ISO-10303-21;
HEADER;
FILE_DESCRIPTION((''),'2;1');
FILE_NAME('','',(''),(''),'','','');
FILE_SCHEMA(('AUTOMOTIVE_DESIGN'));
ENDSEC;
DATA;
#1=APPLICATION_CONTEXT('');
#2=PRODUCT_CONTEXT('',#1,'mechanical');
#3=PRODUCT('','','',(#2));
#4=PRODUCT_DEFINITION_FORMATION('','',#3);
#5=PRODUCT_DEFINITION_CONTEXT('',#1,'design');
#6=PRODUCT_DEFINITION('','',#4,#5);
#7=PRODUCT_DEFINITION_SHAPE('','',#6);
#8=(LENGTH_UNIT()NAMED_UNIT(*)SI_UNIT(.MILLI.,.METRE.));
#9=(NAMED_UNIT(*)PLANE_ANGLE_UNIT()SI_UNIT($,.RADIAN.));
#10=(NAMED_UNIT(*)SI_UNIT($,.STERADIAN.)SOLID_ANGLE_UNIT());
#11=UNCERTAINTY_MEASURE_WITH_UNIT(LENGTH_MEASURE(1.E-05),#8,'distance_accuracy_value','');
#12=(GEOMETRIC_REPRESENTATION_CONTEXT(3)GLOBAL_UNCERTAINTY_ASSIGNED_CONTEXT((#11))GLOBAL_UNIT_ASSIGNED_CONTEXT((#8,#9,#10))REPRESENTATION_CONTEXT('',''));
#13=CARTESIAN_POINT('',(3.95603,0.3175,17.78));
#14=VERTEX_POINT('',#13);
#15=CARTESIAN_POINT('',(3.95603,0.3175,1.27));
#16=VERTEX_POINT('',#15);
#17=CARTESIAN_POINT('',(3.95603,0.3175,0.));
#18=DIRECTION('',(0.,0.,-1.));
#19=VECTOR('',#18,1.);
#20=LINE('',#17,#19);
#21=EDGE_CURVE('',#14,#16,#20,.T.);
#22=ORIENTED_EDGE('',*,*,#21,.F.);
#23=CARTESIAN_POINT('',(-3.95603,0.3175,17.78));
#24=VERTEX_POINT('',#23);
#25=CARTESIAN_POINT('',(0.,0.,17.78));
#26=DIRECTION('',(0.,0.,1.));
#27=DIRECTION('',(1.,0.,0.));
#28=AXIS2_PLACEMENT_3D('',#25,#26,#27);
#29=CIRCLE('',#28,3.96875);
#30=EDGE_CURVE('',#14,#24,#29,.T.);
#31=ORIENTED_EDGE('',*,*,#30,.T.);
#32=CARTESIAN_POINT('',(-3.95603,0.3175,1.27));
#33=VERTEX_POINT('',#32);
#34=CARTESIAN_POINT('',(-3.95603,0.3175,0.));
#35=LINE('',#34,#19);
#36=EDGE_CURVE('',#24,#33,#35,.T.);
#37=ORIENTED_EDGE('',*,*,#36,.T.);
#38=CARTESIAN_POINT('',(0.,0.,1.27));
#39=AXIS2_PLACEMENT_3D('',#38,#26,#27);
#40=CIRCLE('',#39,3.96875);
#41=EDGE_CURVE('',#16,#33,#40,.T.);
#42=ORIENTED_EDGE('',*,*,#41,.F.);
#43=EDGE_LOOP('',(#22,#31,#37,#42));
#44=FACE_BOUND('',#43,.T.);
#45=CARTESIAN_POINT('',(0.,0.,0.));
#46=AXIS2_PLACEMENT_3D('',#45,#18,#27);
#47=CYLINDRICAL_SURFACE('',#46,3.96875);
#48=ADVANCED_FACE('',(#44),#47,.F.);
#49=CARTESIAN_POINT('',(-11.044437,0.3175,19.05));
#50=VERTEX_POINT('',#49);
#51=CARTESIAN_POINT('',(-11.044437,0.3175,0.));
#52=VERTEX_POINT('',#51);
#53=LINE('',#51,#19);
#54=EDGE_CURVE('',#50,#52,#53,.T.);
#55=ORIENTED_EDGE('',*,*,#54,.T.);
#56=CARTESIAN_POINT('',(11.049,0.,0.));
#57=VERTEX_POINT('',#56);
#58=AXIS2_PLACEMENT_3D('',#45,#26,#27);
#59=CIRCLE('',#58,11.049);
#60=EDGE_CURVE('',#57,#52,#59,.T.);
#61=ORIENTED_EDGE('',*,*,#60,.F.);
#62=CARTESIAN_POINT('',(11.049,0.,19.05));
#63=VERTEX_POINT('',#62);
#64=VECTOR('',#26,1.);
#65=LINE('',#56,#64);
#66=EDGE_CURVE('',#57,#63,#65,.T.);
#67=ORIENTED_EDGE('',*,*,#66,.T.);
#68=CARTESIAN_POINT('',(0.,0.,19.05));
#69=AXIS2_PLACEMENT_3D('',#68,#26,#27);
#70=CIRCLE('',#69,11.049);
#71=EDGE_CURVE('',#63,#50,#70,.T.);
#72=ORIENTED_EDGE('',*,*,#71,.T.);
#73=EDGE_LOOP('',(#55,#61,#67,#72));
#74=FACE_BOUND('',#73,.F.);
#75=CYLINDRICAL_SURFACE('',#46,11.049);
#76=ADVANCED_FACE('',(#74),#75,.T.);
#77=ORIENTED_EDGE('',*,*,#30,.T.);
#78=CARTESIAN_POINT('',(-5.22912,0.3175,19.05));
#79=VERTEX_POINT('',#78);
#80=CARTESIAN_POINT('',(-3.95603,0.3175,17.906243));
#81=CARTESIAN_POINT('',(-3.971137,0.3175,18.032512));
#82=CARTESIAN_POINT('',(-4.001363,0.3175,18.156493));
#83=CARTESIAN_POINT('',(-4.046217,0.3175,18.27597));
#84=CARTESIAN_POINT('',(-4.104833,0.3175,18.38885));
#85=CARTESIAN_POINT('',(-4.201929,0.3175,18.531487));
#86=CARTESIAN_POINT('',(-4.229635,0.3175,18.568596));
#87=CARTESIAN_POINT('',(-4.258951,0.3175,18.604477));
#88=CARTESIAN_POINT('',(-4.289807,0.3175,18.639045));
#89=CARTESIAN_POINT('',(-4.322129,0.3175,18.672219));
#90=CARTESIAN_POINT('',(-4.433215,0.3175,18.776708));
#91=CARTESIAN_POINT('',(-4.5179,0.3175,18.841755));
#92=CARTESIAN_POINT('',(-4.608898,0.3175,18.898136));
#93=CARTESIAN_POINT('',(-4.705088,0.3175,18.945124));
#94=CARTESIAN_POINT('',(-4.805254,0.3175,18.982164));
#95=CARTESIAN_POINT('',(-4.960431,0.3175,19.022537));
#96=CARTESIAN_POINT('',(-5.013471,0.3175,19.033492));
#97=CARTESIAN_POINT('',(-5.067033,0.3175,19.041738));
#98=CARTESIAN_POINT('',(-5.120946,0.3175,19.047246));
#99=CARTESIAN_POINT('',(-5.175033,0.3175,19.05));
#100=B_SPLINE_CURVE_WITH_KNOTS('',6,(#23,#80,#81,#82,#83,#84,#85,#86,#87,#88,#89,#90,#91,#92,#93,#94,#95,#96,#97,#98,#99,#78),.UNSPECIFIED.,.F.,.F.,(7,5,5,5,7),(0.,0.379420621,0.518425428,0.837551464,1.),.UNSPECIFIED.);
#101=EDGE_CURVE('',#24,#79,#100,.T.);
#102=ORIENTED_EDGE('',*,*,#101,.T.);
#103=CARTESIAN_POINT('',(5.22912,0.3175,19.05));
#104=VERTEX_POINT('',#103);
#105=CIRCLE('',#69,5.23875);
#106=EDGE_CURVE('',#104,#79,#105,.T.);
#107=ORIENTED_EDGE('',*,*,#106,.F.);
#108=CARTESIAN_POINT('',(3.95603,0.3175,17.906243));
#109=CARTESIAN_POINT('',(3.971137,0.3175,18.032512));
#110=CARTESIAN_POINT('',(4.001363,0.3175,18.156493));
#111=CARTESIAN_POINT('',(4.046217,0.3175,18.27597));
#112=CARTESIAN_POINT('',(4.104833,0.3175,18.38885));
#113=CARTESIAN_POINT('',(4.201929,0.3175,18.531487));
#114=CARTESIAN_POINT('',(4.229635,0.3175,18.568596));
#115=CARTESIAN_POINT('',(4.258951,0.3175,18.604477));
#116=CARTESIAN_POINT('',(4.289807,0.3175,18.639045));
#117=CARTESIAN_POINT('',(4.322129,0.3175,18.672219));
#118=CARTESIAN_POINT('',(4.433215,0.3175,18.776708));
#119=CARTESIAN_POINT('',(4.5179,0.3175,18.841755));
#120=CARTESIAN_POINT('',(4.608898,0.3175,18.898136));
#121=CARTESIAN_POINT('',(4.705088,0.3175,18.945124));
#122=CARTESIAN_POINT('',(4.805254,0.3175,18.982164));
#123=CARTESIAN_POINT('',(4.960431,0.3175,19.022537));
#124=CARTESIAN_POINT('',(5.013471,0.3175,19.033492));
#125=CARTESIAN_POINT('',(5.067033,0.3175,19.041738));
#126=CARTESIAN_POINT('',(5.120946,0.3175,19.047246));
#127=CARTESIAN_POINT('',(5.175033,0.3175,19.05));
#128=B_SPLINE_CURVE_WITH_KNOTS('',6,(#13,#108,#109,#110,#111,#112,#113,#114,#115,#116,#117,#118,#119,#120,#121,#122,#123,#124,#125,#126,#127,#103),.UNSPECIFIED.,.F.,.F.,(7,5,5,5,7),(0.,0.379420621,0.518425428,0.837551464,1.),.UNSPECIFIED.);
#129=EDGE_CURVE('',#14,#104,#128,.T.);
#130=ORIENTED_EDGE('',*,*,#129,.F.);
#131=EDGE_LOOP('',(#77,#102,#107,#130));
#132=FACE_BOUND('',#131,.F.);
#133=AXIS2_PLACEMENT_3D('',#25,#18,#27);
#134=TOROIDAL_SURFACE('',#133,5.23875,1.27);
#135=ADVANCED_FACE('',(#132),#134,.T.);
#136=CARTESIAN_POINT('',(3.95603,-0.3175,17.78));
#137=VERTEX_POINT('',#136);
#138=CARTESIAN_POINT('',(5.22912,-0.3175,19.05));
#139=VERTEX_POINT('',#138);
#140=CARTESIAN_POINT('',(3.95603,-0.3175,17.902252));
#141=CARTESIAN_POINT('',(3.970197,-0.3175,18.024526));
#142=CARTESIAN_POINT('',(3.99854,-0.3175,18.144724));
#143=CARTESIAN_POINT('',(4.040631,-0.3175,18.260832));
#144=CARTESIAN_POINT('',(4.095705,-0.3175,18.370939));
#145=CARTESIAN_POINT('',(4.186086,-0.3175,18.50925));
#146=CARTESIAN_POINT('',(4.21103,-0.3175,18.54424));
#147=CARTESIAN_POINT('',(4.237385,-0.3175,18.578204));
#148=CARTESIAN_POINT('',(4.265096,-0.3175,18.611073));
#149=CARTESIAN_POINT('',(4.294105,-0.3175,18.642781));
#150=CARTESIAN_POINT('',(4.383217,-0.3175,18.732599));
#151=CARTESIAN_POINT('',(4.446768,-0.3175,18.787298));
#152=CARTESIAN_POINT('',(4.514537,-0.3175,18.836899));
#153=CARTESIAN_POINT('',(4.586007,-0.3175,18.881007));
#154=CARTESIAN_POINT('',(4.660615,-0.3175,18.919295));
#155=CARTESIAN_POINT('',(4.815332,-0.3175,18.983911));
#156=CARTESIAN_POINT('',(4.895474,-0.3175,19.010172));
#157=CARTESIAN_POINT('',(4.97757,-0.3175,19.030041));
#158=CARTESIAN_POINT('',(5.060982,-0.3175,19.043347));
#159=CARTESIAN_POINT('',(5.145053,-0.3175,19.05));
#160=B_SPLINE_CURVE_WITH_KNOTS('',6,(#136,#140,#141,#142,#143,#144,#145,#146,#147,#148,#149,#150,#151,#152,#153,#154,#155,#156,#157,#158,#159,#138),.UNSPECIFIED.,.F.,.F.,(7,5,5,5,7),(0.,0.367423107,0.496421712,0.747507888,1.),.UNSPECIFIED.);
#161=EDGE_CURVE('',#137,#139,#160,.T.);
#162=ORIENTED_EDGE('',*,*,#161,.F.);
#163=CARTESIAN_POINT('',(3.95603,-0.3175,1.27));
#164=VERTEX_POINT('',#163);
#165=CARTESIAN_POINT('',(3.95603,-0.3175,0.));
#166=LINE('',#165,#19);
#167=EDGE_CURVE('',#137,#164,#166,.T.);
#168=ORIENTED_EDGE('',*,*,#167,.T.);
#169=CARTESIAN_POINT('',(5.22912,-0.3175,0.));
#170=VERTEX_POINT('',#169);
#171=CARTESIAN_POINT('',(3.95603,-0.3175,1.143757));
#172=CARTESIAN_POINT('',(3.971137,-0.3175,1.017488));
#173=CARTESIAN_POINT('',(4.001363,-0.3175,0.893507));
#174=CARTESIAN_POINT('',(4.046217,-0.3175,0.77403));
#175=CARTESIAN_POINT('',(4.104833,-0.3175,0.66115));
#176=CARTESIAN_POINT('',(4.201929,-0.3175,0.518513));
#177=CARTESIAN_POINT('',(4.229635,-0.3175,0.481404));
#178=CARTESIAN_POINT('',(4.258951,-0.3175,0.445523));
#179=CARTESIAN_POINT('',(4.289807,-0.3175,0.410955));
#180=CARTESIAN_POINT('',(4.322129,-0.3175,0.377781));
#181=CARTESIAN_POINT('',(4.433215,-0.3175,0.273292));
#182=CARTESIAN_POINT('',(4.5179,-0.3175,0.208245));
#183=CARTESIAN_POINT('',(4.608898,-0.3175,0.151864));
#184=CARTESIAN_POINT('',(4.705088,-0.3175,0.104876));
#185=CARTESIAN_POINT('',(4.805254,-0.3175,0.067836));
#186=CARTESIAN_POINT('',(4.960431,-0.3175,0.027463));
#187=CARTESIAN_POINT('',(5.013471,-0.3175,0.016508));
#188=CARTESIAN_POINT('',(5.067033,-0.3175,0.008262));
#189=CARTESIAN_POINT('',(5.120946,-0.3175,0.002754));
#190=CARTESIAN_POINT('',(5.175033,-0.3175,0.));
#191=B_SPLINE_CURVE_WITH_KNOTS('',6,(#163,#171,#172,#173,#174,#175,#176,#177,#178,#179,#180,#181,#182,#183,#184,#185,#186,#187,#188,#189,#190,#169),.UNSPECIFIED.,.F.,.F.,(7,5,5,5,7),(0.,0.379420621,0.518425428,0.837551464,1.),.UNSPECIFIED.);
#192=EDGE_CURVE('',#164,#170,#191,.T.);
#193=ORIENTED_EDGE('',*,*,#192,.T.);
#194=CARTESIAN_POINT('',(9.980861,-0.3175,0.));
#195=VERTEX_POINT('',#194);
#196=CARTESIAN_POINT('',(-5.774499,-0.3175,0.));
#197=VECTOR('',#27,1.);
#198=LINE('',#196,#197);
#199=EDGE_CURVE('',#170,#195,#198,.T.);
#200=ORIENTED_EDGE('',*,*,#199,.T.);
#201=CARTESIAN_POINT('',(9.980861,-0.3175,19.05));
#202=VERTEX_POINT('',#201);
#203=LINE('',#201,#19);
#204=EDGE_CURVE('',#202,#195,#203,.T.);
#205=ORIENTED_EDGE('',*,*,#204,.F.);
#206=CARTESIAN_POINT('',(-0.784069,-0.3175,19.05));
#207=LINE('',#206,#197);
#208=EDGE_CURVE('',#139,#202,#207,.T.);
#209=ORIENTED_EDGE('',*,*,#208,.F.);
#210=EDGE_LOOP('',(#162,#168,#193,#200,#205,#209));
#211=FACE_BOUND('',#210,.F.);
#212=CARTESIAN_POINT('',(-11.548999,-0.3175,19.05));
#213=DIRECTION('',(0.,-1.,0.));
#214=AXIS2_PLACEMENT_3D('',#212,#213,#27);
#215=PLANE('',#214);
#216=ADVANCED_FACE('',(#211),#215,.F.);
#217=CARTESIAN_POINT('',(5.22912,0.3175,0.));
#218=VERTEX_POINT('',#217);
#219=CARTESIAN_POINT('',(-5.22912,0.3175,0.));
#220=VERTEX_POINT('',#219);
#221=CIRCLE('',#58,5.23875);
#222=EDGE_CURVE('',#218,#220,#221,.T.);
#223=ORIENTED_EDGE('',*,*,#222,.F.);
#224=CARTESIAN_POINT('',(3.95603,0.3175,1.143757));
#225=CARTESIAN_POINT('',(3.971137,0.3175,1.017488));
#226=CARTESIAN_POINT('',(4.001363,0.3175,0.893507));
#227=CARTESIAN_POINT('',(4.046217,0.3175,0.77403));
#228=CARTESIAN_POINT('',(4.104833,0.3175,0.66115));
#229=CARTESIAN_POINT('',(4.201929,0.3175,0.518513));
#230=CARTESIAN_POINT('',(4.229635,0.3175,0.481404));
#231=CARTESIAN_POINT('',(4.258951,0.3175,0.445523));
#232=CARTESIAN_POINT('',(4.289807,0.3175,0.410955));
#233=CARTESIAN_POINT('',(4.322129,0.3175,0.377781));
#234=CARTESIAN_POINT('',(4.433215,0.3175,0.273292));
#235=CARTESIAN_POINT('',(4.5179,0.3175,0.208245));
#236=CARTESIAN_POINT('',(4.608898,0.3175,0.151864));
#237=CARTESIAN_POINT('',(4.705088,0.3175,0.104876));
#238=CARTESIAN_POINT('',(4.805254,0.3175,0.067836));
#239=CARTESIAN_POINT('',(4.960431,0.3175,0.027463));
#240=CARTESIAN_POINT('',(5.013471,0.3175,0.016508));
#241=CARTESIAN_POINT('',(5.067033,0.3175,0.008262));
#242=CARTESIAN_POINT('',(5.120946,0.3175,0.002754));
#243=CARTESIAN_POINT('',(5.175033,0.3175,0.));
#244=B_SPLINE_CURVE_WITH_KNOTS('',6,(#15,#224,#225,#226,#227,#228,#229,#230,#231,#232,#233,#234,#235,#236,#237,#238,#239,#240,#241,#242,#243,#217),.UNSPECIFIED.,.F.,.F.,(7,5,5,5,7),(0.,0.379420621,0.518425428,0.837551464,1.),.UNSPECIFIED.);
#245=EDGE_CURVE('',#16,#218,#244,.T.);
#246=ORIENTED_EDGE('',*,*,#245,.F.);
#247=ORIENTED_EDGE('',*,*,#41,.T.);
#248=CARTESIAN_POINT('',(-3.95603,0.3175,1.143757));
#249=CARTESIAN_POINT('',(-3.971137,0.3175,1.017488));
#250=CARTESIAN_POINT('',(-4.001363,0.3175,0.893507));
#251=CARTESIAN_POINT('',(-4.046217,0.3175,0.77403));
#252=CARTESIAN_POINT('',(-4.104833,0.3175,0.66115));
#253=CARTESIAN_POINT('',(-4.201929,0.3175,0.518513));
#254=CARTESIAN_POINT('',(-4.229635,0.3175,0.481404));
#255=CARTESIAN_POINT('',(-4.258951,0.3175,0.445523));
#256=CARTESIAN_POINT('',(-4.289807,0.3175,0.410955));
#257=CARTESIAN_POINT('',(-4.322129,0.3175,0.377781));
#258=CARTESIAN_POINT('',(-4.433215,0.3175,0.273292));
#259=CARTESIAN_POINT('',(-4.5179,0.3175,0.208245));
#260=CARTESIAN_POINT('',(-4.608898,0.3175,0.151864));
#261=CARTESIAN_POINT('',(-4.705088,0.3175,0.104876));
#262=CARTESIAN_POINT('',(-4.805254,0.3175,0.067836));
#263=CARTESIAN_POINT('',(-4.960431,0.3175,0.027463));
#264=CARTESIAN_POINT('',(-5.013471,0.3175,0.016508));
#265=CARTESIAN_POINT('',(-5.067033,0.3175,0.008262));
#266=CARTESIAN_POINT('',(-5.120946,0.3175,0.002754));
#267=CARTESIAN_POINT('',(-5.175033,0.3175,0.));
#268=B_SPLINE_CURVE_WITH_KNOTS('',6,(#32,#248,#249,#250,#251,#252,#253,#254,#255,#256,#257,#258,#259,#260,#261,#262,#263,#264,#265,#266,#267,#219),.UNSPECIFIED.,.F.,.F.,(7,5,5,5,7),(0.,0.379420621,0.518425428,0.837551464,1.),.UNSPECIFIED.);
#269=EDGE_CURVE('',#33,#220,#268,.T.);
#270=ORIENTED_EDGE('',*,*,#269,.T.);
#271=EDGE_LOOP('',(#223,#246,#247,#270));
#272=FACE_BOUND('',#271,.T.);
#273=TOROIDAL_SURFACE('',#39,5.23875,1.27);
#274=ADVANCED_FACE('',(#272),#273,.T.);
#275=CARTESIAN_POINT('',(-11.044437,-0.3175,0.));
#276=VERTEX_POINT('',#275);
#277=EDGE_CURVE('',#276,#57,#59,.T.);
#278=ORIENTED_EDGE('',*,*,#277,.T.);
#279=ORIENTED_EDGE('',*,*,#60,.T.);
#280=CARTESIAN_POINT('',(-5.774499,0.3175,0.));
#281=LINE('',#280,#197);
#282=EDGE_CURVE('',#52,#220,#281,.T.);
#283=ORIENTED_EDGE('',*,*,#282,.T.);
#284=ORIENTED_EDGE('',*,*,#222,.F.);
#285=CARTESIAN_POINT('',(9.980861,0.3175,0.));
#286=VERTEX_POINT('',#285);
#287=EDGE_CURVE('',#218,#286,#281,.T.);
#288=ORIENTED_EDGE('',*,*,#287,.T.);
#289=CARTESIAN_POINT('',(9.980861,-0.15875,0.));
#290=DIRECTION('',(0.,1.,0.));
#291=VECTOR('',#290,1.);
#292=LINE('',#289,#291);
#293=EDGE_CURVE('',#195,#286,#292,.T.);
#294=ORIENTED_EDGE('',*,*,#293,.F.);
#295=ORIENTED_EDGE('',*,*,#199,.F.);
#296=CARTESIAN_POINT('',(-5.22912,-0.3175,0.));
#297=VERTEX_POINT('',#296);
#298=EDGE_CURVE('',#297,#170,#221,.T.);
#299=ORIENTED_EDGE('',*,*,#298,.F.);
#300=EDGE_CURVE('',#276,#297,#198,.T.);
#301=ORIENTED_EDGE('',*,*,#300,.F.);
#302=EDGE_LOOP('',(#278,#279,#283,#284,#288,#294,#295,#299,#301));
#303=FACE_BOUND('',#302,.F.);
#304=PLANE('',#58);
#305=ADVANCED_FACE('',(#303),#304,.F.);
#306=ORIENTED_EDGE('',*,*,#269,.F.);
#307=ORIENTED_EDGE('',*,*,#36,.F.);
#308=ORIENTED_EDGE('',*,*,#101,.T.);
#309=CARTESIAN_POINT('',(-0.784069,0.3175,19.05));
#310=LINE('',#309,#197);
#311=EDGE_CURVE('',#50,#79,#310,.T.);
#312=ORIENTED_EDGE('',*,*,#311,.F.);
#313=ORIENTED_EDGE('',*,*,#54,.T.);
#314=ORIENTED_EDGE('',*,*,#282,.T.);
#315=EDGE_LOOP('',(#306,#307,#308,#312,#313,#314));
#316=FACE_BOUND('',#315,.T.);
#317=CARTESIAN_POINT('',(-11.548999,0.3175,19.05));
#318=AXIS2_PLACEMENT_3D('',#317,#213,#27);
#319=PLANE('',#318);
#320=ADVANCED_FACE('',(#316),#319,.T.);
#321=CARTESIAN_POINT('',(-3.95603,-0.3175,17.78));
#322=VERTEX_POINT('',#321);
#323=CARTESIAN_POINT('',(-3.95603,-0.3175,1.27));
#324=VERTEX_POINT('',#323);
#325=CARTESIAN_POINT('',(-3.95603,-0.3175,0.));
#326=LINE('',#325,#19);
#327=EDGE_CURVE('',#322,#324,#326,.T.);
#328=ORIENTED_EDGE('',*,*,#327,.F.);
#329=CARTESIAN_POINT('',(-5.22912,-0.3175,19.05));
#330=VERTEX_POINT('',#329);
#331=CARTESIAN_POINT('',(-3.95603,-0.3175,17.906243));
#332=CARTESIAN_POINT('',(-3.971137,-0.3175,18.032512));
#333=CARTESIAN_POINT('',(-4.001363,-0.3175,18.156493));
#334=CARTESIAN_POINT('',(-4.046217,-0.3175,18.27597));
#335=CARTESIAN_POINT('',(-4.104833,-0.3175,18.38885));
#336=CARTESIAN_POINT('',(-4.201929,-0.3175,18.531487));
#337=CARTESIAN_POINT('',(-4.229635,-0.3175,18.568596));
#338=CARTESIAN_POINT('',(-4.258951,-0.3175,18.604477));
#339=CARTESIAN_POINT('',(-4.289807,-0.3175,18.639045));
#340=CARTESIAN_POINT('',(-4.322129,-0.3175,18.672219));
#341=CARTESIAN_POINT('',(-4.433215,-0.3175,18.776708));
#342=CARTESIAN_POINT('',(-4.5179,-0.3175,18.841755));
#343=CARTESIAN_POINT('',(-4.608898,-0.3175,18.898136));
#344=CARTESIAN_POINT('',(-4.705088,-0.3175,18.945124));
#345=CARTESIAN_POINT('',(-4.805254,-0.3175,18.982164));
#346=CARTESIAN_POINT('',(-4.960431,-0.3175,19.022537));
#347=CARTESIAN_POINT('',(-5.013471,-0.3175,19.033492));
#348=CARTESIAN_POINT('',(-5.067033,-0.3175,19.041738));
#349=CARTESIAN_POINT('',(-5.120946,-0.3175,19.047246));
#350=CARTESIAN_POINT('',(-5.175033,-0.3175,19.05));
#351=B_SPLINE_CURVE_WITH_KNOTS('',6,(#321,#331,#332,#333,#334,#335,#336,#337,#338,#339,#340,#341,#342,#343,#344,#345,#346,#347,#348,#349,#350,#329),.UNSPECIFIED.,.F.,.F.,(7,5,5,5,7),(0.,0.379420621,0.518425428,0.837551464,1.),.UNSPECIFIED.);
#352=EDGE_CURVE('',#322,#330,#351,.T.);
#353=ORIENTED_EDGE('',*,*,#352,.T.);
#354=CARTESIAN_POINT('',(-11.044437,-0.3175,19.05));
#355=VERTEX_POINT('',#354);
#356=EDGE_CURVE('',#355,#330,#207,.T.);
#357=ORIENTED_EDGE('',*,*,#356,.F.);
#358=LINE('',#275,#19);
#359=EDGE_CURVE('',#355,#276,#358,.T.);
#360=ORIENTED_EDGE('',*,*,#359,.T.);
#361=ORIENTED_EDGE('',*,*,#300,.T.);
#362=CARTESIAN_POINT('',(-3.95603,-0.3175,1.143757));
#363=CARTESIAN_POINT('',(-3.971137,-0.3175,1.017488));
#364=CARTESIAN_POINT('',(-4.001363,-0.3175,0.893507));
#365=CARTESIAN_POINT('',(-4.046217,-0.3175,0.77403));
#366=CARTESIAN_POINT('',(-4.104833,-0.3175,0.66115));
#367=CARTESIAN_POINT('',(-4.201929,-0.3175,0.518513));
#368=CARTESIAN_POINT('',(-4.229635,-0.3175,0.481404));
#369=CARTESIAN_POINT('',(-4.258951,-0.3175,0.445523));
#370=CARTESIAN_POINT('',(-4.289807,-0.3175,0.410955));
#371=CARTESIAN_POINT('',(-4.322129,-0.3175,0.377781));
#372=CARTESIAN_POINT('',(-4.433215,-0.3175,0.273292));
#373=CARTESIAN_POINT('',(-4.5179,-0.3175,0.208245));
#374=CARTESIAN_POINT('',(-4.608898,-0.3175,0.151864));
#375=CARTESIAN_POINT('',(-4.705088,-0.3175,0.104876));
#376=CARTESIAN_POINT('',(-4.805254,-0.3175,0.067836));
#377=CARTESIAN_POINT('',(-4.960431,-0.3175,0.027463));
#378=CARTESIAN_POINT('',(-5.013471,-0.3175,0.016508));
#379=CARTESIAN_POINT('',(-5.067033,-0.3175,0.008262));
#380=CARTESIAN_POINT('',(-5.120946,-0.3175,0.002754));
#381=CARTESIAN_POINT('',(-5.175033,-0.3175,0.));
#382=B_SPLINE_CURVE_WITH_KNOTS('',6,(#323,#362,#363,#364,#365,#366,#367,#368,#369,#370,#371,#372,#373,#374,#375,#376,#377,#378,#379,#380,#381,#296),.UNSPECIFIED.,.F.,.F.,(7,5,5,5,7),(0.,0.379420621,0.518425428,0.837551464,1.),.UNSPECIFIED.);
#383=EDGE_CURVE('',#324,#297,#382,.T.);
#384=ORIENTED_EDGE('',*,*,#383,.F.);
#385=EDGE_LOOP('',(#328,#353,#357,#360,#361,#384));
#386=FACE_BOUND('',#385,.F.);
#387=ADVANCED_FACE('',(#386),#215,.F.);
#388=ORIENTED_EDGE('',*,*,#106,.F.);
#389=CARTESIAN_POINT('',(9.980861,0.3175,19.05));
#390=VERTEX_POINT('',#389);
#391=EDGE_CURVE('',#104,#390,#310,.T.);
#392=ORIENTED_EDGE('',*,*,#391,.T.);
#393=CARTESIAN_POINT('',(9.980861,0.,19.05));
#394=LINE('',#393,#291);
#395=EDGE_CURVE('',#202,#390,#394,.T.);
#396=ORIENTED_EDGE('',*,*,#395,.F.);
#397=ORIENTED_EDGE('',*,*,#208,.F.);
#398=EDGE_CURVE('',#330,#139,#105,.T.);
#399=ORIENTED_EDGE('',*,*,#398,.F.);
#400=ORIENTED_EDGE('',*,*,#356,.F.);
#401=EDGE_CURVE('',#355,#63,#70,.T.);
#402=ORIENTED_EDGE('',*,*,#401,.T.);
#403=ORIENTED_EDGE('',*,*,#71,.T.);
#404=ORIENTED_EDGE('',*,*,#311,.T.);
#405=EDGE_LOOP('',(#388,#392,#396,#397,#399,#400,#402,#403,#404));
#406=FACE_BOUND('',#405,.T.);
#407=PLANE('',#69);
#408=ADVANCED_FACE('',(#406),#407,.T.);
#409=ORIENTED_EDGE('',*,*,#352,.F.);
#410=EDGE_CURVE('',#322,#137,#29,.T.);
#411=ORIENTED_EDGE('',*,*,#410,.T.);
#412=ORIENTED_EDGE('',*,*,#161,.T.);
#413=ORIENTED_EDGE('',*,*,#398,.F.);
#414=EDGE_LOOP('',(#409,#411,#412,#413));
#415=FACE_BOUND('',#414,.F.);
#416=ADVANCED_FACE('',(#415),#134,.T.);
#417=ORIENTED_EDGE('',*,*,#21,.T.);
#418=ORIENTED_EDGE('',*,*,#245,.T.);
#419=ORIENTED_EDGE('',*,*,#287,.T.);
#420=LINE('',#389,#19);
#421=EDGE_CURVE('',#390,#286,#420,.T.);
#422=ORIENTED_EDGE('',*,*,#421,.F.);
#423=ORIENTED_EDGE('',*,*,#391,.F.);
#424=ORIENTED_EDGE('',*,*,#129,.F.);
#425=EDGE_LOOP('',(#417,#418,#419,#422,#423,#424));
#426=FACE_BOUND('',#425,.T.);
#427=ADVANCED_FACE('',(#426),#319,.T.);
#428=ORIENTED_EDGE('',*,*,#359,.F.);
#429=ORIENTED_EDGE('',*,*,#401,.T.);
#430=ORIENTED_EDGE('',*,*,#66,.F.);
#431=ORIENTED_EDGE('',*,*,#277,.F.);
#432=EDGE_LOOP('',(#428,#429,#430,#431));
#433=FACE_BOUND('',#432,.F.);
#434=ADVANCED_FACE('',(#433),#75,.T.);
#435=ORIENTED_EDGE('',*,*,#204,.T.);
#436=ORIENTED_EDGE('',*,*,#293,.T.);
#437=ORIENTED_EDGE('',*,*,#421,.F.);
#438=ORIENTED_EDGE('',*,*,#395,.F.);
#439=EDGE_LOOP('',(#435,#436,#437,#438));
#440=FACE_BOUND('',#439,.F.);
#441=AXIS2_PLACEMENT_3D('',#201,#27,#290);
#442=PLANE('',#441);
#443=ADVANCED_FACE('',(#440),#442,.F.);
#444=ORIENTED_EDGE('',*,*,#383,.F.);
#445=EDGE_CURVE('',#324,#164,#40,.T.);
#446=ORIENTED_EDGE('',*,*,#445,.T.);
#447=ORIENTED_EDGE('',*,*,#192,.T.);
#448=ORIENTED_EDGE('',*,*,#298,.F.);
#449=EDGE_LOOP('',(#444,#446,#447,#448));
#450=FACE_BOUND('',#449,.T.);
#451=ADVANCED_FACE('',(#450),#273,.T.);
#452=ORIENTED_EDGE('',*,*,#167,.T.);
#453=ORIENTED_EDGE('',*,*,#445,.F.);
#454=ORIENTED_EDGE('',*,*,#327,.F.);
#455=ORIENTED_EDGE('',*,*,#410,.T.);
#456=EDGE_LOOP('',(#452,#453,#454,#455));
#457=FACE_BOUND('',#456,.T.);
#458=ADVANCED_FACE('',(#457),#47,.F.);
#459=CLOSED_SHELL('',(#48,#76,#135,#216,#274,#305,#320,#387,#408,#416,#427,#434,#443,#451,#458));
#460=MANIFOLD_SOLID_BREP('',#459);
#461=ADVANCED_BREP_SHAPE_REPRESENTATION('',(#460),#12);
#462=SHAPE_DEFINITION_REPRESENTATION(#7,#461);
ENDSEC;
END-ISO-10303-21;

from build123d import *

# Parameters (mm, degrees)
SKETCH1_R           = 11.049
SKETCH1_R_2         = 3.96875
BOSS_EXTRUDE1_DEPTH = 19.05
FILLET1_R           = 1.27
SKETCH3_W           = 21.529859436
SKETCH3_H           = 0.635
CUT_EXTRUDE1_DEPTH  = 20.05


with BuildPart() as part:
    # Sketch1 → Boss-Extrude1 (new body)
    with BuildSketch(Plane.XY):
        Circle(SKETCH1_R)
        Circle(SKETCH1_R_2, mode=Mode.SUBTRACT)
    extrude(amount=BOSS_EXTRUDE1_DEPTH)

    # Fillet1
    fillet1_edges = [part.edges().sort_by_distance(p)[0] for p in [
        (-3.96875, 0, 0),
        (-3.96875, 0, 19.05),
    ]]
    fillet(fillet1_edges, radius=FILLET1_R)

    # Sketch3 → Cut-Extrude1 (cut, through all)
    with BuildSketch(Plane.XY.offset(19.05)):
        with Locations((-0.784069021, 0)):
            Rectangle(SKETCH3_W, SKETCH3_H)
    extrude(amount=-CUT_EXTRUDE1_DEPTH, mode=Mode.SUBTRACT)


solid = part.part
